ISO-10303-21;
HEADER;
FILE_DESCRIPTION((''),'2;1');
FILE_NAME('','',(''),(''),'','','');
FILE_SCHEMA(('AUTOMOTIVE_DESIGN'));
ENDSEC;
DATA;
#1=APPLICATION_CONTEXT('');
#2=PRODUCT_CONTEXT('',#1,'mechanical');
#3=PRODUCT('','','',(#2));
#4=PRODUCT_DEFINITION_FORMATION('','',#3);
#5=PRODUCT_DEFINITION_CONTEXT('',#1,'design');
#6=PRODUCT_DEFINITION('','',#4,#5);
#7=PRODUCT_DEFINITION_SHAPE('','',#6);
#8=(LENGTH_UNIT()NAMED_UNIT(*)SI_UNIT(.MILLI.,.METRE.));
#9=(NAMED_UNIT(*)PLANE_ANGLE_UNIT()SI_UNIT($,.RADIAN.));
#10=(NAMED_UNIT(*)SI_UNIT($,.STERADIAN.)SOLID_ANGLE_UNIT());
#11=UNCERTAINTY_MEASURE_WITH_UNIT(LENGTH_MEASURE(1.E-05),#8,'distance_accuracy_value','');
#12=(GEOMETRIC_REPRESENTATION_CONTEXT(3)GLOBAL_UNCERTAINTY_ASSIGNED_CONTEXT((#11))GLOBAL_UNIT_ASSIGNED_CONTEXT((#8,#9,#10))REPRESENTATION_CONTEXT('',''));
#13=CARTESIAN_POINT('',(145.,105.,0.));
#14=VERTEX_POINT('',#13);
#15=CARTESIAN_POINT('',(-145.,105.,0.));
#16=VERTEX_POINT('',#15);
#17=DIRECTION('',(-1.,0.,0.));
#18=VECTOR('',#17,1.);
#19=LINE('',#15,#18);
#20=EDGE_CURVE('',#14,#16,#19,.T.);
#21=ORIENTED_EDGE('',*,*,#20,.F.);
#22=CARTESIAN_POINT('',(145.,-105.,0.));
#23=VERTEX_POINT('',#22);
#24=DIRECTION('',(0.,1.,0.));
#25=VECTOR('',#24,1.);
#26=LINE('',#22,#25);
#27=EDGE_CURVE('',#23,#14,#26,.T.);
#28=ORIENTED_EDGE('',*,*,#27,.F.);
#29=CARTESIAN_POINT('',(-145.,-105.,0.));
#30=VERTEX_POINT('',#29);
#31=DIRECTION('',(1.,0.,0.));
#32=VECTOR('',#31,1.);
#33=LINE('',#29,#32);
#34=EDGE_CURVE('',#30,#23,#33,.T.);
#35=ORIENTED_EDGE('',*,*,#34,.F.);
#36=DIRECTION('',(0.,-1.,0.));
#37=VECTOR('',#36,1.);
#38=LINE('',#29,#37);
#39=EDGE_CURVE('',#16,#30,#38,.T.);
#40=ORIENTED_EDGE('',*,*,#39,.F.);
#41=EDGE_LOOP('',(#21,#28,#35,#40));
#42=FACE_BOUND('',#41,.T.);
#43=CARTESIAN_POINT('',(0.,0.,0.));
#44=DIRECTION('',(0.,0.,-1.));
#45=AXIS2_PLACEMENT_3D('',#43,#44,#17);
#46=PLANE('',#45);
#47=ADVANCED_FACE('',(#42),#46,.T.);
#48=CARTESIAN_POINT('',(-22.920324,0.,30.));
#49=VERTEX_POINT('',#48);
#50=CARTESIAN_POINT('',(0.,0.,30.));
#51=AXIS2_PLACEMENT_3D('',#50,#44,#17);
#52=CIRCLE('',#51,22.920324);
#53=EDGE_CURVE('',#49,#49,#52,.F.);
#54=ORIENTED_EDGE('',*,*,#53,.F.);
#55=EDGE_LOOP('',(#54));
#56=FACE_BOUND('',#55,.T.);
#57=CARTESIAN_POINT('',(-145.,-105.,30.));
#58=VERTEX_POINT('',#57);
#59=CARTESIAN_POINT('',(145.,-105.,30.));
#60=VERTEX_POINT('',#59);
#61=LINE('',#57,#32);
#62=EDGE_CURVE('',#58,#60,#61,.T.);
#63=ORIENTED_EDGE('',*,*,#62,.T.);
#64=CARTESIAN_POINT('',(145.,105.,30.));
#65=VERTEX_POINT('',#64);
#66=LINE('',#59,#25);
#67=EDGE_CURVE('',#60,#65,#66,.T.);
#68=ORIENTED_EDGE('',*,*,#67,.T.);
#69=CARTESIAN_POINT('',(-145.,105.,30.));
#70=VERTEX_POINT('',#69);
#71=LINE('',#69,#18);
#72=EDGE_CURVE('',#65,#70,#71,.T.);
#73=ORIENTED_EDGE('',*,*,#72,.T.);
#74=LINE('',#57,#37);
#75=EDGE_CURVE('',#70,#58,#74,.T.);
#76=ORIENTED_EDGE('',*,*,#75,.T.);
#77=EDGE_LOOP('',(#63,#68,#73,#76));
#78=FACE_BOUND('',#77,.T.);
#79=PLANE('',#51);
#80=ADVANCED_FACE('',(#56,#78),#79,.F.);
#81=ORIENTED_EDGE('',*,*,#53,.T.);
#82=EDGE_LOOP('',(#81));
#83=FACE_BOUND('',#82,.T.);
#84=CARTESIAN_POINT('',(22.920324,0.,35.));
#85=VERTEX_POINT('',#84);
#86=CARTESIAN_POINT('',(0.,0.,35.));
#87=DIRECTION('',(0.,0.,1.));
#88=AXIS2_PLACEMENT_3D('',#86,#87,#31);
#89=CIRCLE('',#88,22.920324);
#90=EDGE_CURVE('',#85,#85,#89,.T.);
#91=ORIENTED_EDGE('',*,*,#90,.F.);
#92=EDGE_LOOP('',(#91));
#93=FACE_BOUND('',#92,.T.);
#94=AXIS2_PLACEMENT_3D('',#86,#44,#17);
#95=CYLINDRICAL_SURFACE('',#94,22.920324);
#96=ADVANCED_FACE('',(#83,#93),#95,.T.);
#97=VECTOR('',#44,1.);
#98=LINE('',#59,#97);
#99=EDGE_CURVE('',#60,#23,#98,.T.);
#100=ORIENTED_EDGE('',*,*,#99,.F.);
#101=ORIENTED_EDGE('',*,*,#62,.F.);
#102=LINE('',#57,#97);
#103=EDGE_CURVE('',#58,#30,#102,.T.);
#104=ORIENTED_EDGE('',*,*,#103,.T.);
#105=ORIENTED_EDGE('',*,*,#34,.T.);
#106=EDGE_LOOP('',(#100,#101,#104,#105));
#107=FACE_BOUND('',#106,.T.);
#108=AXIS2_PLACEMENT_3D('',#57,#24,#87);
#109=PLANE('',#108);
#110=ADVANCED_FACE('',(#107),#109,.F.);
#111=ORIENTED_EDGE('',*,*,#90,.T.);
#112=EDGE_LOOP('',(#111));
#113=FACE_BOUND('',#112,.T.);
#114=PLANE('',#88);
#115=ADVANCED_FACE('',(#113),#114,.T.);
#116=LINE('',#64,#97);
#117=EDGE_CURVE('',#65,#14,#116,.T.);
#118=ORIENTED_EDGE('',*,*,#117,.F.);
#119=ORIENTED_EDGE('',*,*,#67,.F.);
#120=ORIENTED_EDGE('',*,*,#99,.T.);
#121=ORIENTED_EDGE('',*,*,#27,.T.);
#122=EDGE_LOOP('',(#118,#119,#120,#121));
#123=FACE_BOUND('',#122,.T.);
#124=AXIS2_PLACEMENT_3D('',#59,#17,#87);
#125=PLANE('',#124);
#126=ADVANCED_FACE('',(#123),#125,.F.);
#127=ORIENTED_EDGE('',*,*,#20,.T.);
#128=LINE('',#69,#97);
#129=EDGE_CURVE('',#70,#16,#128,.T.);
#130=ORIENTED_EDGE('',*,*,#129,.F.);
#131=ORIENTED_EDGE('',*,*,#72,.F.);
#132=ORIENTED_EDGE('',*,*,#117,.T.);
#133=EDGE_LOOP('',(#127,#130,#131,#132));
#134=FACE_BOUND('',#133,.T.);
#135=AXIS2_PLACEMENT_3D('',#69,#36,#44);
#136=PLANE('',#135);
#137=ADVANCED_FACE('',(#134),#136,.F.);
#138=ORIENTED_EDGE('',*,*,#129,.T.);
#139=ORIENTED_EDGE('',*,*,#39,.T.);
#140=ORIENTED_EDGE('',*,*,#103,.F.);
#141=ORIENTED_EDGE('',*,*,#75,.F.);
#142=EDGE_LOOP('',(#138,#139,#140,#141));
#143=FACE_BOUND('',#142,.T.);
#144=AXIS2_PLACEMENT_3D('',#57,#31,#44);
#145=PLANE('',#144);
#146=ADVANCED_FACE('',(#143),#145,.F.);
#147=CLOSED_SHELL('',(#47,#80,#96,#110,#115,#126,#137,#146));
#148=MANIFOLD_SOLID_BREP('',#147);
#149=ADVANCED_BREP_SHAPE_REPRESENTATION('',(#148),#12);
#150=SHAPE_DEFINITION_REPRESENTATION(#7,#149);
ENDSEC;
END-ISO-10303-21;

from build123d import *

# Parameters (mm, degrees)
SKETCH_1_W      = 290
SKETCH_1_H      = 210
EXTRUDE_1_DEPTH = 30
SKETCH_2_R      = 22.920324178
EXTRUDE_2_DEPTH = 5


with BuildPart() as part:
    # 草图1 → 凸台-拉伸1 (new body)
    with BuildSketch(Plane.XY):
        Rectangle(SKETCH_1_W, SKETCH_1_H)
    extrude(amount=EXTRUDE_1_DEPTH)

    # 草图2 → 凸台-拉伸2 (add)
    with BuildSketch(Plane.XY.offset(30)):
        Circle(SKETCH_2_R)
    extrude(amount=EXTRUDE_2_DEPTH)


solid = part.part
